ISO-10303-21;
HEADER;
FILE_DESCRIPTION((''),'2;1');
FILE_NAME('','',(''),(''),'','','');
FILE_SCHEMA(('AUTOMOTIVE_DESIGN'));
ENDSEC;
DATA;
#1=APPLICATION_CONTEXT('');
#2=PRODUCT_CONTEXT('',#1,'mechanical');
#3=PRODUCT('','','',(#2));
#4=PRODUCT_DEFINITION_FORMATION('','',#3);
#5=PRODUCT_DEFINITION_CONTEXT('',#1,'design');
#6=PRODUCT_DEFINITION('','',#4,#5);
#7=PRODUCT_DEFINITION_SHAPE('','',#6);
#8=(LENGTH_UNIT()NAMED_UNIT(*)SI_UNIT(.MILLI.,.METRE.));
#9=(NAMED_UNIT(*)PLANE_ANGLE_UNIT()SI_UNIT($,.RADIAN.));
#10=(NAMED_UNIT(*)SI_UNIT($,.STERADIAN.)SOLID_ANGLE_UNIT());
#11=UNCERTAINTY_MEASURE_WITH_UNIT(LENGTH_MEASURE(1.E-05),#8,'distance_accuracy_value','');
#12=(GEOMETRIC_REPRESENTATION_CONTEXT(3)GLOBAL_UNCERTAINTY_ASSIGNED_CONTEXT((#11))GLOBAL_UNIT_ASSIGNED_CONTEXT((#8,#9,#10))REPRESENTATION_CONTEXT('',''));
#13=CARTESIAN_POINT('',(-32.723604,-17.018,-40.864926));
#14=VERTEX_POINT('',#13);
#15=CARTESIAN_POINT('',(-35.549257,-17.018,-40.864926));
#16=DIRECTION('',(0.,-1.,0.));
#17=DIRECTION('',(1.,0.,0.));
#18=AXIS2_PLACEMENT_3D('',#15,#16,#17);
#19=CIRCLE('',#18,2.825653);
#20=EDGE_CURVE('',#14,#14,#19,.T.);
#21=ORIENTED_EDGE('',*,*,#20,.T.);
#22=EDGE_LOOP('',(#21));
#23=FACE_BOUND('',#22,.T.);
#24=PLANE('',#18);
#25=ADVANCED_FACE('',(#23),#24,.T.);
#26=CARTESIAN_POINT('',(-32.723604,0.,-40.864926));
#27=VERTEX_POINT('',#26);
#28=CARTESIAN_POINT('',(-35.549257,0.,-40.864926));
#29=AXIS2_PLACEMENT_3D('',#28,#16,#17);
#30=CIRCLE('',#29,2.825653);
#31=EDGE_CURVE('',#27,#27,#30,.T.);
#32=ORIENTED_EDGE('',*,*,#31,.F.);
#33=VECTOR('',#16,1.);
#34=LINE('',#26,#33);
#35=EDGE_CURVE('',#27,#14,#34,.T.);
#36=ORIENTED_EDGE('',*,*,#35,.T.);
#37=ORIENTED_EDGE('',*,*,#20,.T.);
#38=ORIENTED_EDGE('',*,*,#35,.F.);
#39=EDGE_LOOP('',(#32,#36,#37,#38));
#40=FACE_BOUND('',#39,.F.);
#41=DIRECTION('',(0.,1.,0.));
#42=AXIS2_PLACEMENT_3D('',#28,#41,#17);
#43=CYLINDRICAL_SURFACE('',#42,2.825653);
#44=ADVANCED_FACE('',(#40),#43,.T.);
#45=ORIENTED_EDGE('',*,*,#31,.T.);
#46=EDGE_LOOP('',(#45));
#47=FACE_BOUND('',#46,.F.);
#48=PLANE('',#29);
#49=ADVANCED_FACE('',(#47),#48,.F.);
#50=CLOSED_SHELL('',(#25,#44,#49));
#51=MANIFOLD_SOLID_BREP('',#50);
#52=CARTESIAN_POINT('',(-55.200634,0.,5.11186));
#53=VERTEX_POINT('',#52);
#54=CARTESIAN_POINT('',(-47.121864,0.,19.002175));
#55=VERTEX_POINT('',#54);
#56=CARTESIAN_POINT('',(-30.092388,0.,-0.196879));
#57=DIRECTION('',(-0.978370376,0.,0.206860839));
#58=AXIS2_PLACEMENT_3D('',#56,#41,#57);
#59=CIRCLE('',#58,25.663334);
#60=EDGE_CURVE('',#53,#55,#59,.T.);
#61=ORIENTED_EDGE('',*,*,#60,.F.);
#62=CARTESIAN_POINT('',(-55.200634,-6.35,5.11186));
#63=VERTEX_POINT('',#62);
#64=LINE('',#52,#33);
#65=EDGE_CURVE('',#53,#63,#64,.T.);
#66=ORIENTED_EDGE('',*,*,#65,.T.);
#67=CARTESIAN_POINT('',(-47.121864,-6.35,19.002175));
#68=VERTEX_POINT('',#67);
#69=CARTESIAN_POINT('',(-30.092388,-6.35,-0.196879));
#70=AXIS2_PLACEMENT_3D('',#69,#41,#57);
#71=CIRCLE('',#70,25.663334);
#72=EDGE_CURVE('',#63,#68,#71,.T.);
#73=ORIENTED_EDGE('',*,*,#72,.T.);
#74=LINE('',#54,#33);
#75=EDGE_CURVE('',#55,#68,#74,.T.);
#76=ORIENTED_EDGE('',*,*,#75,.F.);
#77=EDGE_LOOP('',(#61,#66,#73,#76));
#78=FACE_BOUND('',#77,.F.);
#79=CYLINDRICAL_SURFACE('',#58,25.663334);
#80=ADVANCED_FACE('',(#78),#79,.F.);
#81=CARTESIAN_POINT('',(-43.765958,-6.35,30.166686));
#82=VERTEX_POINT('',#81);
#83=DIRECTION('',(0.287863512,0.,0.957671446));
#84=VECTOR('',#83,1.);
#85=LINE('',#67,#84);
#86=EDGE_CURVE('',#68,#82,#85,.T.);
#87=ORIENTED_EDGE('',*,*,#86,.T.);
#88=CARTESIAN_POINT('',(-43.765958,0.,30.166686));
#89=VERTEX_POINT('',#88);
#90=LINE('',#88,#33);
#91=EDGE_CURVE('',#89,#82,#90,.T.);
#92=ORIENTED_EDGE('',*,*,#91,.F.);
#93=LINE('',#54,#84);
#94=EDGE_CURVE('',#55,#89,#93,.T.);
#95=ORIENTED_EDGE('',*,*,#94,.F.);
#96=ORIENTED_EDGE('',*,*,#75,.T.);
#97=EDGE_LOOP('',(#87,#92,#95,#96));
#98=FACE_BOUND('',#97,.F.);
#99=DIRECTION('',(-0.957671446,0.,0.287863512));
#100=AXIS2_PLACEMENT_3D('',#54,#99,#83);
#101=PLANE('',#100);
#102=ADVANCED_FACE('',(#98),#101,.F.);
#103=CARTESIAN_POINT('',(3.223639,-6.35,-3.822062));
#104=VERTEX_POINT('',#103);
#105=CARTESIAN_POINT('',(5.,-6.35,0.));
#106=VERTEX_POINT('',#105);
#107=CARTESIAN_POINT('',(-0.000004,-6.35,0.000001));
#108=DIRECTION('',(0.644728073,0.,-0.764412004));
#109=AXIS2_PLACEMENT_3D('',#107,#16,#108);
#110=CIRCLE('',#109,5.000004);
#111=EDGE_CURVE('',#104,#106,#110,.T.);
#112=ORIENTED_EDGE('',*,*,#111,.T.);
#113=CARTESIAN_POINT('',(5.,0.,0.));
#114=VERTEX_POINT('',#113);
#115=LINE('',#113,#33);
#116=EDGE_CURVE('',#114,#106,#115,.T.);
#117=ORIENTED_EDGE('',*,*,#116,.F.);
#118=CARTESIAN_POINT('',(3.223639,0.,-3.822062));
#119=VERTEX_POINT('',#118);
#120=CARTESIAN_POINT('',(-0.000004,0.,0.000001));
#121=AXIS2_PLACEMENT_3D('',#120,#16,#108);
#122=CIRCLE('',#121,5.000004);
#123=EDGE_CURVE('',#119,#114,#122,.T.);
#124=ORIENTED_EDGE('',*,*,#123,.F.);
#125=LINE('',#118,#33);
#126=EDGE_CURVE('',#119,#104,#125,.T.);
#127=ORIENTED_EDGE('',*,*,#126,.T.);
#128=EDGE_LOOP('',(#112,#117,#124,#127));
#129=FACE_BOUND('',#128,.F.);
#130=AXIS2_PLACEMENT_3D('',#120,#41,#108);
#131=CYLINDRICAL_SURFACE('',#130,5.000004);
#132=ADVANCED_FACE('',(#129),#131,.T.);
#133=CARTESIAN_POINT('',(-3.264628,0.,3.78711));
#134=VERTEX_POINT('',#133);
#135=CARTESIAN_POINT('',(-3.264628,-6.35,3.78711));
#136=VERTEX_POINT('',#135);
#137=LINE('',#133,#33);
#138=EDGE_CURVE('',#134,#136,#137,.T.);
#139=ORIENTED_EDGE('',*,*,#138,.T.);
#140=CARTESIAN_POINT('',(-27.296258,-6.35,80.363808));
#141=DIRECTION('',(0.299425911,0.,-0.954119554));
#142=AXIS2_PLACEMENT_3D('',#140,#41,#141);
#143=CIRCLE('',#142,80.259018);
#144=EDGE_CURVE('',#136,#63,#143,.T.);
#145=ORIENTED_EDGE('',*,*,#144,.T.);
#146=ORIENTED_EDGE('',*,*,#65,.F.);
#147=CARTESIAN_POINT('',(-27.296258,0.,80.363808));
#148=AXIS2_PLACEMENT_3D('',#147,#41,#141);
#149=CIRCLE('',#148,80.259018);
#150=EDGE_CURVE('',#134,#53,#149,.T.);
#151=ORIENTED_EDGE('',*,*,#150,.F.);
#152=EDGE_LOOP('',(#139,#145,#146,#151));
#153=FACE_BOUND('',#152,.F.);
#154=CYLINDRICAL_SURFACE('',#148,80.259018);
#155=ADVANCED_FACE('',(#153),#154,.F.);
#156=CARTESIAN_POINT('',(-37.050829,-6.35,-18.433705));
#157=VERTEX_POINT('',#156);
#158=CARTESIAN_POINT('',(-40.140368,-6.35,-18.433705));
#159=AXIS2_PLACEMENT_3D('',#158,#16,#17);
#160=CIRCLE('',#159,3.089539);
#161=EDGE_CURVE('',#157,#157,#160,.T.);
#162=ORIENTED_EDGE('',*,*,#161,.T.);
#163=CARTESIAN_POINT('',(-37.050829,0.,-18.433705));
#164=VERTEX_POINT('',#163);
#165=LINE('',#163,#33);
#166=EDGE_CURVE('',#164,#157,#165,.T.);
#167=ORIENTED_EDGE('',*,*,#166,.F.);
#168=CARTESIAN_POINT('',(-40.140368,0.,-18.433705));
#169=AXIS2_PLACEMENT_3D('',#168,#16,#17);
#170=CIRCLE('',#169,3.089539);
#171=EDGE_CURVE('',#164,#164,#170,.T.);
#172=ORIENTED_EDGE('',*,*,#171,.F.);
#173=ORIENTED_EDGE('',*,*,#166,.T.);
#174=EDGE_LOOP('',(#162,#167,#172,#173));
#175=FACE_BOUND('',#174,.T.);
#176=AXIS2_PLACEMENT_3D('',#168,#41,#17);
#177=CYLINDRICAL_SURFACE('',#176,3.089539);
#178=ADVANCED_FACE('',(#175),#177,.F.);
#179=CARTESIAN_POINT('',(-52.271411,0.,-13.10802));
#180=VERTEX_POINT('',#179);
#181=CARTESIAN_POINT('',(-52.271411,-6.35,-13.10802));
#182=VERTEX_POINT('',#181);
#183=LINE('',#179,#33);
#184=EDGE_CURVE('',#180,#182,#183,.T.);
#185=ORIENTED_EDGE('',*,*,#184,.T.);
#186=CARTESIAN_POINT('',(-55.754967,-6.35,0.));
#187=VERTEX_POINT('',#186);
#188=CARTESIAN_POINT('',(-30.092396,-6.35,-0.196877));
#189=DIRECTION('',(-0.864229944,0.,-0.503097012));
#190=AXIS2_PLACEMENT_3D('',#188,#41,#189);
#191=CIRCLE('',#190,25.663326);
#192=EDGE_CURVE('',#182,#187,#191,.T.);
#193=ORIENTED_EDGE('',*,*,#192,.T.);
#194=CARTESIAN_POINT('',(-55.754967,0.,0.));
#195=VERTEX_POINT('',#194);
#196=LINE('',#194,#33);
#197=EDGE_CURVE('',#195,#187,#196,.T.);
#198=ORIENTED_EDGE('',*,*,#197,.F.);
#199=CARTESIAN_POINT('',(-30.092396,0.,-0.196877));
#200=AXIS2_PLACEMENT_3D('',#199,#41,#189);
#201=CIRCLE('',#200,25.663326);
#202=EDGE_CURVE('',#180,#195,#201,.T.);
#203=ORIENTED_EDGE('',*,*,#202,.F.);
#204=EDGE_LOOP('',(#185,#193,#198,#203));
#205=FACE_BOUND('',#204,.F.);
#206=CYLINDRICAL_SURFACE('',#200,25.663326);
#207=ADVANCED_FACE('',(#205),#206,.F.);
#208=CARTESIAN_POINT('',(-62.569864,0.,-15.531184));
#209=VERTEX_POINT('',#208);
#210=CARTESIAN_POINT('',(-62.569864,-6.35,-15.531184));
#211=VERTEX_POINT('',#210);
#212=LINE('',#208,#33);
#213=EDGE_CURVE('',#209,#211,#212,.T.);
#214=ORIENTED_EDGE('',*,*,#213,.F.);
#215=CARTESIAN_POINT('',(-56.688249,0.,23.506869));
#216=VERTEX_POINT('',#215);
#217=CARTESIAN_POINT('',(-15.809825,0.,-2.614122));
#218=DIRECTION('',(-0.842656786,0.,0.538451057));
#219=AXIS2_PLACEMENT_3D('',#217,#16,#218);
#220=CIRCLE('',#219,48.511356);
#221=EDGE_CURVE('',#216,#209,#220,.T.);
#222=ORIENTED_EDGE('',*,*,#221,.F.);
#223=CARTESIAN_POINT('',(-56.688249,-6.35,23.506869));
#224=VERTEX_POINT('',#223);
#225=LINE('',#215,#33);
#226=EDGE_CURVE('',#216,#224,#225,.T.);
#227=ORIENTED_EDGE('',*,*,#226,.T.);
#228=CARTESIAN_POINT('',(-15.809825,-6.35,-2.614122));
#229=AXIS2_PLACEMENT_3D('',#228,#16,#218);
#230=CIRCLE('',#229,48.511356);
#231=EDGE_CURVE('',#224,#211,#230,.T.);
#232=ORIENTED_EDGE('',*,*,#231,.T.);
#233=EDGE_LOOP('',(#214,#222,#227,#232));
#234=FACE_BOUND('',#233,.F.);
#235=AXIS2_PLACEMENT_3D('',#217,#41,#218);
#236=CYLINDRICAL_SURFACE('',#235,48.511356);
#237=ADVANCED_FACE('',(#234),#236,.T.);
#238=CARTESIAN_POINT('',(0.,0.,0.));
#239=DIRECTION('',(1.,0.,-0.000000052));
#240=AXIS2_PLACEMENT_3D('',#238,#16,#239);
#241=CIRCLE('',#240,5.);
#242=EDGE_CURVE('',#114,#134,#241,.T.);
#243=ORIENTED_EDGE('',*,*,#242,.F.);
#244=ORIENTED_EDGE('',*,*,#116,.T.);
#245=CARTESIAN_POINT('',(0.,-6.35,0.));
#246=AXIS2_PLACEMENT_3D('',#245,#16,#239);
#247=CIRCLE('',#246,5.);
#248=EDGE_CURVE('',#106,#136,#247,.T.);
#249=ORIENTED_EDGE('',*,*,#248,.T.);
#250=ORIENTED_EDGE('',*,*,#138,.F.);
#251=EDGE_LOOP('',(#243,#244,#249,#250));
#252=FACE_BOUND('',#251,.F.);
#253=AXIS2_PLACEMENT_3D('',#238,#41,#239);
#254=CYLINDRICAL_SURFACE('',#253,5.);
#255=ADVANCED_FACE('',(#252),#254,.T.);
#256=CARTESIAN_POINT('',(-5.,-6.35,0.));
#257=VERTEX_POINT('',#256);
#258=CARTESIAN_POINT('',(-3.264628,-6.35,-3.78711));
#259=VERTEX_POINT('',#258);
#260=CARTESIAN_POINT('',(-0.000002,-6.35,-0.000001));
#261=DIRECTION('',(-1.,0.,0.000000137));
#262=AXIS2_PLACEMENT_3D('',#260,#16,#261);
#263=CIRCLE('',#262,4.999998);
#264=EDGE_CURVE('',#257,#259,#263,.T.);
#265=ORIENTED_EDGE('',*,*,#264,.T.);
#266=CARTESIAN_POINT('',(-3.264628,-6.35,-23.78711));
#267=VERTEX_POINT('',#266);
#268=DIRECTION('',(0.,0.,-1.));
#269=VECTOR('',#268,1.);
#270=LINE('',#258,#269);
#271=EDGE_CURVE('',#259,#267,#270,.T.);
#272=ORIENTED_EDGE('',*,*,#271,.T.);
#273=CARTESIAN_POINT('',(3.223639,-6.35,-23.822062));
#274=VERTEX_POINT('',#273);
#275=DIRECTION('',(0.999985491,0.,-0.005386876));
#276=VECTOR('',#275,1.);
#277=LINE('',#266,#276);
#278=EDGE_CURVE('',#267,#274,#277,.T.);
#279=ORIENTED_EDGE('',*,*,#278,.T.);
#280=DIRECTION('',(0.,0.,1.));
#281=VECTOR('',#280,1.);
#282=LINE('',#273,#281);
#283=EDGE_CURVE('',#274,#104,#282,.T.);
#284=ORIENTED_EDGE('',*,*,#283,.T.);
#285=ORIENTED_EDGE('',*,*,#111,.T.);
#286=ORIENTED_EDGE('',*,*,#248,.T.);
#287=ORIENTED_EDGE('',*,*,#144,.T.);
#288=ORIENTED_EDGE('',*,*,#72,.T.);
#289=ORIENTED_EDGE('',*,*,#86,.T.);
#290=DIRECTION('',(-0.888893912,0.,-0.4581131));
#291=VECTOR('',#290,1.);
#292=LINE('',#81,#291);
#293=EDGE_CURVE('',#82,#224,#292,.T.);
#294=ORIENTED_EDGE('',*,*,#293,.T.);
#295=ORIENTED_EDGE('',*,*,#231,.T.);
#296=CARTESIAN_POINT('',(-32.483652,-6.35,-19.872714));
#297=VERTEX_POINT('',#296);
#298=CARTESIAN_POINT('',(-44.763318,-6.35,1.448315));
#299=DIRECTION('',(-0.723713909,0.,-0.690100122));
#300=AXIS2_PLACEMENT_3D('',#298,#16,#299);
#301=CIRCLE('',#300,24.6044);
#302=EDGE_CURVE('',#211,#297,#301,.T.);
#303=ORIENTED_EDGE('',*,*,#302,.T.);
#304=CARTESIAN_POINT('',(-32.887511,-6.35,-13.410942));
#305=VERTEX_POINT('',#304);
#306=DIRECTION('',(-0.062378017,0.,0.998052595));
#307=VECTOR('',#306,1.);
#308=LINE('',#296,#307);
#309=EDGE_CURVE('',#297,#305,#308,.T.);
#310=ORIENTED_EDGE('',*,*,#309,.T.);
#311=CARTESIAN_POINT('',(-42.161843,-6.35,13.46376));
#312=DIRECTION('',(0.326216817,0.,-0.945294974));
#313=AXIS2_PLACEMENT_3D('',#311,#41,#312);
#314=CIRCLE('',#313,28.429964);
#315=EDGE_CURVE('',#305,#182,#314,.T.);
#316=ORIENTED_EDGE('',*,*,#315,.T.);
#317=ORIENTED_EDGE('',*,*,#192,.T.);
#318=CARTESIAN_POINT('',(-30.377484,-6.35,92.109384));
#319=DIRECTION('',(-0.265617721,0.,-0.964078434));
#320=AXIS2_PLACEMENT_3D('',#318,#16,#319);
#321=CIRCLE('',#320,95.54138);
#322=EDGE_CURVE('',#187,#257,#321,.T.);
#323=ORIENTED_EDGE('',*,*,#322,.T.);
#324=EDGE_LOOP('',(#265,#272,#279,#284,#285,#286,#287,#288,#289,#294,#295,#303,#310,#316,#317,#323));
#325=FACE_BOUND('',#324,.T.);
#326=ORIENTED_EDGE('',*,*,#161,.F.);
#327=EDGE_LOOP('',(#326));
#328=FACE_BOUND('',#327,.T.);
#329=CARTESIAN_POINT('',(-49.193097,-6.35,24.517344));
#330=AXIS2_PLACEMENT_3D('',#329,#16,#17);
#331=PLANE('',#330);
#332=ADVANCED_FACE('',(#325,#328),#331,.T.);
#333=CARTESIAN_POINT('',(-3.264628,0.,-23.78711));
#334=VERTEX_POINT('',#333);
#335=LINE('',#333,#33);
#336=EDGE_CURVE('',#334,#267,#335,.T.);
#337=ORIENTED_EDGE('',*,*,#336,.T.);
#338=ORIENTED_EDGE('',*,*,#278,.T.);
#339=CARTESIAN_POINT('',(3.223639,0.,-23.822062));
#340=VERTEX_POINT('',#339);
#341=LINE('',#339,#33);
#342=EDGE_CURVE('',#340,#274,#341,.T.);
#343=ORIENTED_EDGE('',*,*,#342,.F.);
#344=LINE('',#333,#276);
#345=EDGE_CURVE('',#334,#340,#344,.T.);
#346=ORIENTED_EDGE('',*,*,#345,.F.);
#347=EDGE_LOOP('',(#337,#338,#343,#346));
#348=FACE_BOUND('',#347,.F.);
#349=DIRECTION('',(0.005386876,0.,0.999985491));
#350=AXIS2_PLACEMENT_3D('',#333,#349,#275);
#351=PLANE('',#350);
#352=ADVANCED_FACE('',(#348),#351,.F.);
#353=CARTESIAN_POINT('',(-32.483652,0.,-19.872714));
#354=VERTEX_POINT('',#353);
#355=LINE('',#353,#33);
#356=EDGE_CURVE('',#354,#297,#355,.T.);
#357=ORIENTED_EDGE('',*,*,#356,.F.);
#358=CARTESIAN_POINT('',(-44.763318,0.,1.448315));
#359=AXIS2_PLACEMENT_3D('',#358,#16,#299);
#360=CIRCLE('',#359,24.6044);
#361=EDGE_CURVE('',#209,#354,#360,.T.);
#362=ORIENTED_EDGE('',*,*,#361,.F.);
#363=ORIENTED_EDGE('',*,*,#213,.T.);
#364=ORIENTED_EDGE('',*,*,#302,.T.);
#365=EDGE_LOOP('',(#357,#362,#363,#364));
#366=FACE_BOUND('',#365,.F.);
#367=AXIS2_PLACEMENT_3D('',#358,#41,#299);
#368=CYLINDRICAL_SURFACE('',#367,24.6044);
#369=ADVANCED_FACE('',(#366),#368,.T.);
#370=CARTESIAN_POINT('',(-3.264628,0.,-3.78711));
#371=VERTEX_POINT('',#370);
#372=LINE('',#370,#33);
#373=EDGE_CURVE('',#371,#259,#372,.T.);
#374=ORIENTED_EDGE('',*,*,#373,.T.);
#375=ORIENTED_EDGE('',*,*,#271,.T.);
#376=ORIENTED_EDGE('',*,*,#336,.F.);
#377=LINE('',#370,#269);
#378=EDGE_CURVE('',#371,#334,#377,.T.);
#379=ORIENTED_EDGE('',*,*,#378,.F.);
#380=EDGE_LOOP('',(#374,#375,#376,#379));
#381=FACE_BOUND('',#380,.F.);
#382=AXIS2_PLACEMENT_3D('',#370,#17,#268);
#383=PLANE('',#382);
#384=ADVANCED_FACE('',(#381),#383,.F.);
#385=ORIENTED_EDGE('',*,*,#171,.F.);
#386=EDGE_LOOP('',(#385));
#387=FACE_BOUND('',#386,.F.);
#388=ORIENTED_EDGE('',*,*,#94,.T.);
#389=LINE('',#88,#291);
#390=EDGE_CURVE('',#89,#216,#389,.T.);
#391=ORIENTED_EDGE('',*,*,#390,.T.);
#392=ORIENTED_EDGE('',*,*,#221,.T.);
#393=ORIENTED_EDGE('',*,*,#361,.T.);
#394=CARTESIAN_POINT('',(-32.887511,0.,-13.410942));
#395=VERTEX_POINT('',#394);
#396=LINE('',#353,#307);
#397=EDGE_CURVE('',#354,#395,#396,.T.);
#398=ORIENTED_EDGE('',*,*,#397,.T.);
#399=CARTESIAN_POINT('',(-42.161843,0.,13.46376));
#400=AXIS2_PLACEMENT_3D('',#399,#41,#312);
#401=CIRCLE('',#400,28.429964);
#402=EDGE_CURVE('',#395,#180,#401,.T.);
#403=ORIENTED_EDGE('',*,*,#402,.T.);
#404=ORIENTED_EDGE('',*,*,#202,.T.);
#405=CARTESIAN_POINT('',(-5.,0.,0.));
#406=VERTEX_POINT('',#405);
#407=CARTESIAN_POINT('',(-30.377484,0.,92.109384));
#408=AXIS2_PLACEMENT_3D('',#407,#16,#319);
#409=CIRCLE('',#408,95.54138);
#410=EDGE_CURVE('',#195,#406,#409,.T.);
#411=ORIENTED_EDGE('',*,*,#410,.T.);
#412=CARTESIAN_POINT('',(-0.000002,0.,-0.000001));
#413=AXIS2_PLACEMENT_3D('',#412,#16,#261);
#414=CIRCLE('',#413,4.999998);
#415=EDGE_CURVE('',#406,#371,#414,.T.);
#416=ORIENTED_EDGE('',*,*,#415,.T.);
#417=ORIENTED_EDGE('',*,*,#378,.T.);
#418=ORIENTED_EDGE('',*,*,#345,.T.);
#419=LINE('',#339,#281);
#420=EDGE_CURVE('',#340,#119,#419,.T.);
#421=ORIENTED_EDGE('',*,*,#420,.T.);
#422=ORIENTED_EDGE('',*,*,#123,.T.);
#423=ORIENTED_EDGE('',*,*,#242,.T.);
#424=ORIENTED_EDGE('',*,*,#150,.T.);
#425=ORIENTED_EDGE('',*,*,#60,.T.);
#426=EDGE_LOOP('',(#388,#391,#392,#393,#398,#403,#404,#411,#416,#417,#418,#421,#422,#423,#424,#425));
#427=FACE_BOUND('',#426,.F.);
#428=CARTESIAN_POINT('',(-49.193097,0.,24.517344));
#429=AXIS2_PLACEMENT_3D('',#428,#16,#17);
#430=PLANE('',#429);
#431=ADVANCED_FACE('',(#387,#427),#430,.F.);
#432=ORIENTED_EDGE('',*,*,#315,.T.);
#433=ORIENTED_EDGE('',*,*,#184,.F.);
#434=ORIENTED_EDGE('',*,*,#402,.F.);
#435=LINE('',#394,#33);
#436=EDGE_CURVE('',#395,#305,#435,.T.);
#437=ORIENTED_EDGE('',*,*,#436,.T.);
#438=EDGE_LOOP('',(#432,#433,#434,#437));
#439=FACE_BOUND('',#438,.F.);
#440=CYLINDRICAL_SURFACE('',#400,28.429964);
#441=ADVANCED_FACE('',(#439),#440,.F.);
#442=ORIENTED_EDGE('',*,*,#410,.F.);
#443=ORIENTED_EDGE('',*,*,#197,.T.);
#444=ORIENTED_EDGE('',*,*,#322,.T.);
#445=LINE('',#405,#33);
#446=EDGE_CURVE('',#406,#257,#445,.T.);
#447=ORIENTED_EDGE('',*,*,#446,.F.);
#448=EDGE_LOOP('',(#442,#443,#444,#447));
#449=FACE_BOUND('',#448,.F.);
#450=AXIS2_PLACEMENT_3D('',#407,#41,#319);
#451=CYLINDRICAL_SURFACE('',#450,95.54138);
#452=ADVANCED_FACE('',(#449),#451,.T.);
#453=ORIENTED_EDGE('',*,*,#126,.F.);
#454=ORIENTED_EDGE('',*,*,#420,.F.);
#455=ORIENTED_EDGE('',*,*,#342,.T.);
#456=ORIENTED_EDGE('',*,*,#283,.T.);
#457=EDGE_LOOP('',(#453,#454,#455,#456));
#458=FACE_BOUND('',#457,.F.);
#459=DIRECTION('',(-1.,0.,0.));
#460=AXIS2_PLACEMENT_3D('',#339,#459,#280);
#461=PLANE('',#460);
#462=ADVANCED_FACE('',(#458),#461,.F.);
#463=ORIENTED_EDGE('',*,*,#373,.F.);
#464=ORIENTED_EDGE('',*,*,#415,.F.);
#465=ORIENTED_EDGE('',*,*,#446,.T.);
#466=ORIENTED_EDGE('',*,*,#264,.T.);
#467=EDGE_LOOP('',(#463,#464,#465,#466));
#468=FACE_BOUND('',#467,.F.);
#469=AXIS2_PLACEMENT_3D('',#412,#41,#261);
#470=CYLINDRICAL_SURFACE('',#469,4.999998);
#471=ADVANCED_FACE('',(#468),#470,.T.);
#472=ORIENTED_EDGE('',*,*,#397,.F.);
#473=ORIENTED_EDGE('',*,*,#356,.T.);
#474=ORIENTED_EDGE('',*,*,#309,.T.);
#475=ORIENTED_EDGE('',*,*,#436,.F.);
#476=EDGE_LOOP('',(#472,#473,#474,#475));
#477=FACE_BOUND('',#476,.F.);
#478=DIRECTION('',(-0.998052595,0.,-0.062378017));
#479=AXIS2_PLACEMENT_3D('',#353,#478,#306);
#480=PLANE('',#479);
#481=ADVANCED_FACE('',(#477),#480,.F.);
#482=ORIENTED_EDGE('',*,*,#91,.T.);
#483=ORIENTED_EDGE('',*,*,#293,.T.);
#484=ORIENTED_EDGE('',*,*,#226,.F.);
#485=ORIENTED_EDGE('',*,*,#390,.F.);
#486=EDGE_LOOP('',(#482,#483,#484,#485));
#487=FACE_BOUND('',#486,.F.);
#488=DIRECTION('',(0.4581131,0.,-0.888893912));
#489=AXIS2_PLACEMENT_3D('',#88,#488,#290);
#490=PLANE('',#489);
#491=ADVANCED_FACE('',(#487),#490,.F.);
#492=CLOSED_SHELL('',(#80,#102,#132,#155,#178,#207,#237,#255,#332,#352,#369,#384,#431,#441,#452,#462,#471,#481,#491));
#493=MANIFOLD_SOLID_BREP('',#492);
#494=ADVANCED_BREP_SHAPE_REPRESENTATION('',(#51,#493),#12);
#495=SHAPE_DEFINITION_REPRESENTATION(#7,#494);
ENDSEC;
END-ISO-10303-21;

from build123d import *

# Parameters (mm, degrees)
F0_R     = 3.089539
F1_DEPTH = 6.35
F0_R_2   = 2.825653
F2_DEPTH = 17.018


with BuildPart() as f1:
    # F0 (on Front) → F1 (new body)
    with BuildSketch(Plane.XZ):
        Polygon((-56.688249, 23.506869), (-47.121864, 19.002175), (-43.765958, 30.166686), align=None)
        with BuildLine():
            ThreePointArc((-58.178127, 6.283986), (-56.695223, 5.683083), (-55.200634, 5.11186))
            ThreePointArc((-55.200634, 5.11186), (-52.276439, 12.705625), (-47.121864, 19.002175))
            Line((-47.121864, 19.002175), (-56.688249, 23.506869))
            ThreePointArc((-56.688249, 23.506869), (-63.779789, 4.613207), (-62.569864, -15.531184))
            ThreePointArc((-62.569864, -15.531184), (-48.277407, -22.903844), (-32.483652, -19.872714))
            Line((-32.483652, -19.872714), (-32.887511, -13.410942))
            ThreePointArc((-32.887511, -13.410942), (-42.606078, -14.962733), (-52.271411, -13.10802))
            ThreePointArc((-52.271411, -13.10802), (-54.894803, -6.788305), (-55.754967, 0))
            Line((-55.754967, 0), (-58.178127, 6.283986))
        make_face()
        with Locations((-40.140368, -18.433705)):
            Circle(F0_R, mode=Mode.SUBTRACT)
        with BuildLine():
            ThreePointArc((-5, 0), (-4.5455, 2.08289), (-3.264628, 3.78711))
            ThreePointArc((-3.264628, 3.78711), (-29.342787, 0.130887), (-55.200634, 5.11186))
            ThreePointArc((-55.200634, 5.11186), (-55.606148, 2.569848), (-55.754967, 0))
            ThreePointArc((-55.754967, 0), (-30.377484, -3.431996), (-5, 0))
        make_face()
        with BuildLine():
            ThreePointArc((3.223639, -3.822062), (4.534214, -2.107345), (5, 0))
            ThreePointArc((5, 0), (2.08289, 4.5455), (-3.264628, 3.78711))
            ThreePointArc((-3.264628, 3.78711), (-4.5455, 2.08289), (-5, 0))
            ThreePointArc((-5, 0), (-4.5455, -2.08289), (-3.264628, -3.78711))
            ThreePointArc((-3.264628, -3.78711), (-0.026934, -4.999927), (3.223639, -3.822062))
        make_face()
        with BuildLine():
            Line((3.223639, -23.822062), (3.223639, -3.822062))
            ThreePointArc((3.223639, -3.822062), (-0.026934, -4.999927), (-3.264628, -3.78711))
            Line((-3.264628, -3.78711), (-3.264628, -23.78711))
            Line((-3.264628, -23.78711), (3.223639, -23.822062))
        make_face()
        with BuildLine():
            ThreePointArc((-55.754967, 0), (-55.606148, 2.569848), (-55.200634, 5.11186))
            ThreePointArc((-55.200634, 5.11186), (-56.695223, 5.683083), (-58.178127, 6.283986))
            Line((-58.178127, 6.283986), (-55.754967, 0))
        make_face()
    extrude(amount=F1_DEPTH)


with BuildPart() as f2:
    # F0 (on Front) → F2 (new body)
    with BuildSketch(Plane.XZ):
        with Locations((-35.549257, -40.864926)):
            Circle(F0_R_2)
    extrude(amount=F2_DEPTH)


solid = Compound([f1.part, f2.part])
